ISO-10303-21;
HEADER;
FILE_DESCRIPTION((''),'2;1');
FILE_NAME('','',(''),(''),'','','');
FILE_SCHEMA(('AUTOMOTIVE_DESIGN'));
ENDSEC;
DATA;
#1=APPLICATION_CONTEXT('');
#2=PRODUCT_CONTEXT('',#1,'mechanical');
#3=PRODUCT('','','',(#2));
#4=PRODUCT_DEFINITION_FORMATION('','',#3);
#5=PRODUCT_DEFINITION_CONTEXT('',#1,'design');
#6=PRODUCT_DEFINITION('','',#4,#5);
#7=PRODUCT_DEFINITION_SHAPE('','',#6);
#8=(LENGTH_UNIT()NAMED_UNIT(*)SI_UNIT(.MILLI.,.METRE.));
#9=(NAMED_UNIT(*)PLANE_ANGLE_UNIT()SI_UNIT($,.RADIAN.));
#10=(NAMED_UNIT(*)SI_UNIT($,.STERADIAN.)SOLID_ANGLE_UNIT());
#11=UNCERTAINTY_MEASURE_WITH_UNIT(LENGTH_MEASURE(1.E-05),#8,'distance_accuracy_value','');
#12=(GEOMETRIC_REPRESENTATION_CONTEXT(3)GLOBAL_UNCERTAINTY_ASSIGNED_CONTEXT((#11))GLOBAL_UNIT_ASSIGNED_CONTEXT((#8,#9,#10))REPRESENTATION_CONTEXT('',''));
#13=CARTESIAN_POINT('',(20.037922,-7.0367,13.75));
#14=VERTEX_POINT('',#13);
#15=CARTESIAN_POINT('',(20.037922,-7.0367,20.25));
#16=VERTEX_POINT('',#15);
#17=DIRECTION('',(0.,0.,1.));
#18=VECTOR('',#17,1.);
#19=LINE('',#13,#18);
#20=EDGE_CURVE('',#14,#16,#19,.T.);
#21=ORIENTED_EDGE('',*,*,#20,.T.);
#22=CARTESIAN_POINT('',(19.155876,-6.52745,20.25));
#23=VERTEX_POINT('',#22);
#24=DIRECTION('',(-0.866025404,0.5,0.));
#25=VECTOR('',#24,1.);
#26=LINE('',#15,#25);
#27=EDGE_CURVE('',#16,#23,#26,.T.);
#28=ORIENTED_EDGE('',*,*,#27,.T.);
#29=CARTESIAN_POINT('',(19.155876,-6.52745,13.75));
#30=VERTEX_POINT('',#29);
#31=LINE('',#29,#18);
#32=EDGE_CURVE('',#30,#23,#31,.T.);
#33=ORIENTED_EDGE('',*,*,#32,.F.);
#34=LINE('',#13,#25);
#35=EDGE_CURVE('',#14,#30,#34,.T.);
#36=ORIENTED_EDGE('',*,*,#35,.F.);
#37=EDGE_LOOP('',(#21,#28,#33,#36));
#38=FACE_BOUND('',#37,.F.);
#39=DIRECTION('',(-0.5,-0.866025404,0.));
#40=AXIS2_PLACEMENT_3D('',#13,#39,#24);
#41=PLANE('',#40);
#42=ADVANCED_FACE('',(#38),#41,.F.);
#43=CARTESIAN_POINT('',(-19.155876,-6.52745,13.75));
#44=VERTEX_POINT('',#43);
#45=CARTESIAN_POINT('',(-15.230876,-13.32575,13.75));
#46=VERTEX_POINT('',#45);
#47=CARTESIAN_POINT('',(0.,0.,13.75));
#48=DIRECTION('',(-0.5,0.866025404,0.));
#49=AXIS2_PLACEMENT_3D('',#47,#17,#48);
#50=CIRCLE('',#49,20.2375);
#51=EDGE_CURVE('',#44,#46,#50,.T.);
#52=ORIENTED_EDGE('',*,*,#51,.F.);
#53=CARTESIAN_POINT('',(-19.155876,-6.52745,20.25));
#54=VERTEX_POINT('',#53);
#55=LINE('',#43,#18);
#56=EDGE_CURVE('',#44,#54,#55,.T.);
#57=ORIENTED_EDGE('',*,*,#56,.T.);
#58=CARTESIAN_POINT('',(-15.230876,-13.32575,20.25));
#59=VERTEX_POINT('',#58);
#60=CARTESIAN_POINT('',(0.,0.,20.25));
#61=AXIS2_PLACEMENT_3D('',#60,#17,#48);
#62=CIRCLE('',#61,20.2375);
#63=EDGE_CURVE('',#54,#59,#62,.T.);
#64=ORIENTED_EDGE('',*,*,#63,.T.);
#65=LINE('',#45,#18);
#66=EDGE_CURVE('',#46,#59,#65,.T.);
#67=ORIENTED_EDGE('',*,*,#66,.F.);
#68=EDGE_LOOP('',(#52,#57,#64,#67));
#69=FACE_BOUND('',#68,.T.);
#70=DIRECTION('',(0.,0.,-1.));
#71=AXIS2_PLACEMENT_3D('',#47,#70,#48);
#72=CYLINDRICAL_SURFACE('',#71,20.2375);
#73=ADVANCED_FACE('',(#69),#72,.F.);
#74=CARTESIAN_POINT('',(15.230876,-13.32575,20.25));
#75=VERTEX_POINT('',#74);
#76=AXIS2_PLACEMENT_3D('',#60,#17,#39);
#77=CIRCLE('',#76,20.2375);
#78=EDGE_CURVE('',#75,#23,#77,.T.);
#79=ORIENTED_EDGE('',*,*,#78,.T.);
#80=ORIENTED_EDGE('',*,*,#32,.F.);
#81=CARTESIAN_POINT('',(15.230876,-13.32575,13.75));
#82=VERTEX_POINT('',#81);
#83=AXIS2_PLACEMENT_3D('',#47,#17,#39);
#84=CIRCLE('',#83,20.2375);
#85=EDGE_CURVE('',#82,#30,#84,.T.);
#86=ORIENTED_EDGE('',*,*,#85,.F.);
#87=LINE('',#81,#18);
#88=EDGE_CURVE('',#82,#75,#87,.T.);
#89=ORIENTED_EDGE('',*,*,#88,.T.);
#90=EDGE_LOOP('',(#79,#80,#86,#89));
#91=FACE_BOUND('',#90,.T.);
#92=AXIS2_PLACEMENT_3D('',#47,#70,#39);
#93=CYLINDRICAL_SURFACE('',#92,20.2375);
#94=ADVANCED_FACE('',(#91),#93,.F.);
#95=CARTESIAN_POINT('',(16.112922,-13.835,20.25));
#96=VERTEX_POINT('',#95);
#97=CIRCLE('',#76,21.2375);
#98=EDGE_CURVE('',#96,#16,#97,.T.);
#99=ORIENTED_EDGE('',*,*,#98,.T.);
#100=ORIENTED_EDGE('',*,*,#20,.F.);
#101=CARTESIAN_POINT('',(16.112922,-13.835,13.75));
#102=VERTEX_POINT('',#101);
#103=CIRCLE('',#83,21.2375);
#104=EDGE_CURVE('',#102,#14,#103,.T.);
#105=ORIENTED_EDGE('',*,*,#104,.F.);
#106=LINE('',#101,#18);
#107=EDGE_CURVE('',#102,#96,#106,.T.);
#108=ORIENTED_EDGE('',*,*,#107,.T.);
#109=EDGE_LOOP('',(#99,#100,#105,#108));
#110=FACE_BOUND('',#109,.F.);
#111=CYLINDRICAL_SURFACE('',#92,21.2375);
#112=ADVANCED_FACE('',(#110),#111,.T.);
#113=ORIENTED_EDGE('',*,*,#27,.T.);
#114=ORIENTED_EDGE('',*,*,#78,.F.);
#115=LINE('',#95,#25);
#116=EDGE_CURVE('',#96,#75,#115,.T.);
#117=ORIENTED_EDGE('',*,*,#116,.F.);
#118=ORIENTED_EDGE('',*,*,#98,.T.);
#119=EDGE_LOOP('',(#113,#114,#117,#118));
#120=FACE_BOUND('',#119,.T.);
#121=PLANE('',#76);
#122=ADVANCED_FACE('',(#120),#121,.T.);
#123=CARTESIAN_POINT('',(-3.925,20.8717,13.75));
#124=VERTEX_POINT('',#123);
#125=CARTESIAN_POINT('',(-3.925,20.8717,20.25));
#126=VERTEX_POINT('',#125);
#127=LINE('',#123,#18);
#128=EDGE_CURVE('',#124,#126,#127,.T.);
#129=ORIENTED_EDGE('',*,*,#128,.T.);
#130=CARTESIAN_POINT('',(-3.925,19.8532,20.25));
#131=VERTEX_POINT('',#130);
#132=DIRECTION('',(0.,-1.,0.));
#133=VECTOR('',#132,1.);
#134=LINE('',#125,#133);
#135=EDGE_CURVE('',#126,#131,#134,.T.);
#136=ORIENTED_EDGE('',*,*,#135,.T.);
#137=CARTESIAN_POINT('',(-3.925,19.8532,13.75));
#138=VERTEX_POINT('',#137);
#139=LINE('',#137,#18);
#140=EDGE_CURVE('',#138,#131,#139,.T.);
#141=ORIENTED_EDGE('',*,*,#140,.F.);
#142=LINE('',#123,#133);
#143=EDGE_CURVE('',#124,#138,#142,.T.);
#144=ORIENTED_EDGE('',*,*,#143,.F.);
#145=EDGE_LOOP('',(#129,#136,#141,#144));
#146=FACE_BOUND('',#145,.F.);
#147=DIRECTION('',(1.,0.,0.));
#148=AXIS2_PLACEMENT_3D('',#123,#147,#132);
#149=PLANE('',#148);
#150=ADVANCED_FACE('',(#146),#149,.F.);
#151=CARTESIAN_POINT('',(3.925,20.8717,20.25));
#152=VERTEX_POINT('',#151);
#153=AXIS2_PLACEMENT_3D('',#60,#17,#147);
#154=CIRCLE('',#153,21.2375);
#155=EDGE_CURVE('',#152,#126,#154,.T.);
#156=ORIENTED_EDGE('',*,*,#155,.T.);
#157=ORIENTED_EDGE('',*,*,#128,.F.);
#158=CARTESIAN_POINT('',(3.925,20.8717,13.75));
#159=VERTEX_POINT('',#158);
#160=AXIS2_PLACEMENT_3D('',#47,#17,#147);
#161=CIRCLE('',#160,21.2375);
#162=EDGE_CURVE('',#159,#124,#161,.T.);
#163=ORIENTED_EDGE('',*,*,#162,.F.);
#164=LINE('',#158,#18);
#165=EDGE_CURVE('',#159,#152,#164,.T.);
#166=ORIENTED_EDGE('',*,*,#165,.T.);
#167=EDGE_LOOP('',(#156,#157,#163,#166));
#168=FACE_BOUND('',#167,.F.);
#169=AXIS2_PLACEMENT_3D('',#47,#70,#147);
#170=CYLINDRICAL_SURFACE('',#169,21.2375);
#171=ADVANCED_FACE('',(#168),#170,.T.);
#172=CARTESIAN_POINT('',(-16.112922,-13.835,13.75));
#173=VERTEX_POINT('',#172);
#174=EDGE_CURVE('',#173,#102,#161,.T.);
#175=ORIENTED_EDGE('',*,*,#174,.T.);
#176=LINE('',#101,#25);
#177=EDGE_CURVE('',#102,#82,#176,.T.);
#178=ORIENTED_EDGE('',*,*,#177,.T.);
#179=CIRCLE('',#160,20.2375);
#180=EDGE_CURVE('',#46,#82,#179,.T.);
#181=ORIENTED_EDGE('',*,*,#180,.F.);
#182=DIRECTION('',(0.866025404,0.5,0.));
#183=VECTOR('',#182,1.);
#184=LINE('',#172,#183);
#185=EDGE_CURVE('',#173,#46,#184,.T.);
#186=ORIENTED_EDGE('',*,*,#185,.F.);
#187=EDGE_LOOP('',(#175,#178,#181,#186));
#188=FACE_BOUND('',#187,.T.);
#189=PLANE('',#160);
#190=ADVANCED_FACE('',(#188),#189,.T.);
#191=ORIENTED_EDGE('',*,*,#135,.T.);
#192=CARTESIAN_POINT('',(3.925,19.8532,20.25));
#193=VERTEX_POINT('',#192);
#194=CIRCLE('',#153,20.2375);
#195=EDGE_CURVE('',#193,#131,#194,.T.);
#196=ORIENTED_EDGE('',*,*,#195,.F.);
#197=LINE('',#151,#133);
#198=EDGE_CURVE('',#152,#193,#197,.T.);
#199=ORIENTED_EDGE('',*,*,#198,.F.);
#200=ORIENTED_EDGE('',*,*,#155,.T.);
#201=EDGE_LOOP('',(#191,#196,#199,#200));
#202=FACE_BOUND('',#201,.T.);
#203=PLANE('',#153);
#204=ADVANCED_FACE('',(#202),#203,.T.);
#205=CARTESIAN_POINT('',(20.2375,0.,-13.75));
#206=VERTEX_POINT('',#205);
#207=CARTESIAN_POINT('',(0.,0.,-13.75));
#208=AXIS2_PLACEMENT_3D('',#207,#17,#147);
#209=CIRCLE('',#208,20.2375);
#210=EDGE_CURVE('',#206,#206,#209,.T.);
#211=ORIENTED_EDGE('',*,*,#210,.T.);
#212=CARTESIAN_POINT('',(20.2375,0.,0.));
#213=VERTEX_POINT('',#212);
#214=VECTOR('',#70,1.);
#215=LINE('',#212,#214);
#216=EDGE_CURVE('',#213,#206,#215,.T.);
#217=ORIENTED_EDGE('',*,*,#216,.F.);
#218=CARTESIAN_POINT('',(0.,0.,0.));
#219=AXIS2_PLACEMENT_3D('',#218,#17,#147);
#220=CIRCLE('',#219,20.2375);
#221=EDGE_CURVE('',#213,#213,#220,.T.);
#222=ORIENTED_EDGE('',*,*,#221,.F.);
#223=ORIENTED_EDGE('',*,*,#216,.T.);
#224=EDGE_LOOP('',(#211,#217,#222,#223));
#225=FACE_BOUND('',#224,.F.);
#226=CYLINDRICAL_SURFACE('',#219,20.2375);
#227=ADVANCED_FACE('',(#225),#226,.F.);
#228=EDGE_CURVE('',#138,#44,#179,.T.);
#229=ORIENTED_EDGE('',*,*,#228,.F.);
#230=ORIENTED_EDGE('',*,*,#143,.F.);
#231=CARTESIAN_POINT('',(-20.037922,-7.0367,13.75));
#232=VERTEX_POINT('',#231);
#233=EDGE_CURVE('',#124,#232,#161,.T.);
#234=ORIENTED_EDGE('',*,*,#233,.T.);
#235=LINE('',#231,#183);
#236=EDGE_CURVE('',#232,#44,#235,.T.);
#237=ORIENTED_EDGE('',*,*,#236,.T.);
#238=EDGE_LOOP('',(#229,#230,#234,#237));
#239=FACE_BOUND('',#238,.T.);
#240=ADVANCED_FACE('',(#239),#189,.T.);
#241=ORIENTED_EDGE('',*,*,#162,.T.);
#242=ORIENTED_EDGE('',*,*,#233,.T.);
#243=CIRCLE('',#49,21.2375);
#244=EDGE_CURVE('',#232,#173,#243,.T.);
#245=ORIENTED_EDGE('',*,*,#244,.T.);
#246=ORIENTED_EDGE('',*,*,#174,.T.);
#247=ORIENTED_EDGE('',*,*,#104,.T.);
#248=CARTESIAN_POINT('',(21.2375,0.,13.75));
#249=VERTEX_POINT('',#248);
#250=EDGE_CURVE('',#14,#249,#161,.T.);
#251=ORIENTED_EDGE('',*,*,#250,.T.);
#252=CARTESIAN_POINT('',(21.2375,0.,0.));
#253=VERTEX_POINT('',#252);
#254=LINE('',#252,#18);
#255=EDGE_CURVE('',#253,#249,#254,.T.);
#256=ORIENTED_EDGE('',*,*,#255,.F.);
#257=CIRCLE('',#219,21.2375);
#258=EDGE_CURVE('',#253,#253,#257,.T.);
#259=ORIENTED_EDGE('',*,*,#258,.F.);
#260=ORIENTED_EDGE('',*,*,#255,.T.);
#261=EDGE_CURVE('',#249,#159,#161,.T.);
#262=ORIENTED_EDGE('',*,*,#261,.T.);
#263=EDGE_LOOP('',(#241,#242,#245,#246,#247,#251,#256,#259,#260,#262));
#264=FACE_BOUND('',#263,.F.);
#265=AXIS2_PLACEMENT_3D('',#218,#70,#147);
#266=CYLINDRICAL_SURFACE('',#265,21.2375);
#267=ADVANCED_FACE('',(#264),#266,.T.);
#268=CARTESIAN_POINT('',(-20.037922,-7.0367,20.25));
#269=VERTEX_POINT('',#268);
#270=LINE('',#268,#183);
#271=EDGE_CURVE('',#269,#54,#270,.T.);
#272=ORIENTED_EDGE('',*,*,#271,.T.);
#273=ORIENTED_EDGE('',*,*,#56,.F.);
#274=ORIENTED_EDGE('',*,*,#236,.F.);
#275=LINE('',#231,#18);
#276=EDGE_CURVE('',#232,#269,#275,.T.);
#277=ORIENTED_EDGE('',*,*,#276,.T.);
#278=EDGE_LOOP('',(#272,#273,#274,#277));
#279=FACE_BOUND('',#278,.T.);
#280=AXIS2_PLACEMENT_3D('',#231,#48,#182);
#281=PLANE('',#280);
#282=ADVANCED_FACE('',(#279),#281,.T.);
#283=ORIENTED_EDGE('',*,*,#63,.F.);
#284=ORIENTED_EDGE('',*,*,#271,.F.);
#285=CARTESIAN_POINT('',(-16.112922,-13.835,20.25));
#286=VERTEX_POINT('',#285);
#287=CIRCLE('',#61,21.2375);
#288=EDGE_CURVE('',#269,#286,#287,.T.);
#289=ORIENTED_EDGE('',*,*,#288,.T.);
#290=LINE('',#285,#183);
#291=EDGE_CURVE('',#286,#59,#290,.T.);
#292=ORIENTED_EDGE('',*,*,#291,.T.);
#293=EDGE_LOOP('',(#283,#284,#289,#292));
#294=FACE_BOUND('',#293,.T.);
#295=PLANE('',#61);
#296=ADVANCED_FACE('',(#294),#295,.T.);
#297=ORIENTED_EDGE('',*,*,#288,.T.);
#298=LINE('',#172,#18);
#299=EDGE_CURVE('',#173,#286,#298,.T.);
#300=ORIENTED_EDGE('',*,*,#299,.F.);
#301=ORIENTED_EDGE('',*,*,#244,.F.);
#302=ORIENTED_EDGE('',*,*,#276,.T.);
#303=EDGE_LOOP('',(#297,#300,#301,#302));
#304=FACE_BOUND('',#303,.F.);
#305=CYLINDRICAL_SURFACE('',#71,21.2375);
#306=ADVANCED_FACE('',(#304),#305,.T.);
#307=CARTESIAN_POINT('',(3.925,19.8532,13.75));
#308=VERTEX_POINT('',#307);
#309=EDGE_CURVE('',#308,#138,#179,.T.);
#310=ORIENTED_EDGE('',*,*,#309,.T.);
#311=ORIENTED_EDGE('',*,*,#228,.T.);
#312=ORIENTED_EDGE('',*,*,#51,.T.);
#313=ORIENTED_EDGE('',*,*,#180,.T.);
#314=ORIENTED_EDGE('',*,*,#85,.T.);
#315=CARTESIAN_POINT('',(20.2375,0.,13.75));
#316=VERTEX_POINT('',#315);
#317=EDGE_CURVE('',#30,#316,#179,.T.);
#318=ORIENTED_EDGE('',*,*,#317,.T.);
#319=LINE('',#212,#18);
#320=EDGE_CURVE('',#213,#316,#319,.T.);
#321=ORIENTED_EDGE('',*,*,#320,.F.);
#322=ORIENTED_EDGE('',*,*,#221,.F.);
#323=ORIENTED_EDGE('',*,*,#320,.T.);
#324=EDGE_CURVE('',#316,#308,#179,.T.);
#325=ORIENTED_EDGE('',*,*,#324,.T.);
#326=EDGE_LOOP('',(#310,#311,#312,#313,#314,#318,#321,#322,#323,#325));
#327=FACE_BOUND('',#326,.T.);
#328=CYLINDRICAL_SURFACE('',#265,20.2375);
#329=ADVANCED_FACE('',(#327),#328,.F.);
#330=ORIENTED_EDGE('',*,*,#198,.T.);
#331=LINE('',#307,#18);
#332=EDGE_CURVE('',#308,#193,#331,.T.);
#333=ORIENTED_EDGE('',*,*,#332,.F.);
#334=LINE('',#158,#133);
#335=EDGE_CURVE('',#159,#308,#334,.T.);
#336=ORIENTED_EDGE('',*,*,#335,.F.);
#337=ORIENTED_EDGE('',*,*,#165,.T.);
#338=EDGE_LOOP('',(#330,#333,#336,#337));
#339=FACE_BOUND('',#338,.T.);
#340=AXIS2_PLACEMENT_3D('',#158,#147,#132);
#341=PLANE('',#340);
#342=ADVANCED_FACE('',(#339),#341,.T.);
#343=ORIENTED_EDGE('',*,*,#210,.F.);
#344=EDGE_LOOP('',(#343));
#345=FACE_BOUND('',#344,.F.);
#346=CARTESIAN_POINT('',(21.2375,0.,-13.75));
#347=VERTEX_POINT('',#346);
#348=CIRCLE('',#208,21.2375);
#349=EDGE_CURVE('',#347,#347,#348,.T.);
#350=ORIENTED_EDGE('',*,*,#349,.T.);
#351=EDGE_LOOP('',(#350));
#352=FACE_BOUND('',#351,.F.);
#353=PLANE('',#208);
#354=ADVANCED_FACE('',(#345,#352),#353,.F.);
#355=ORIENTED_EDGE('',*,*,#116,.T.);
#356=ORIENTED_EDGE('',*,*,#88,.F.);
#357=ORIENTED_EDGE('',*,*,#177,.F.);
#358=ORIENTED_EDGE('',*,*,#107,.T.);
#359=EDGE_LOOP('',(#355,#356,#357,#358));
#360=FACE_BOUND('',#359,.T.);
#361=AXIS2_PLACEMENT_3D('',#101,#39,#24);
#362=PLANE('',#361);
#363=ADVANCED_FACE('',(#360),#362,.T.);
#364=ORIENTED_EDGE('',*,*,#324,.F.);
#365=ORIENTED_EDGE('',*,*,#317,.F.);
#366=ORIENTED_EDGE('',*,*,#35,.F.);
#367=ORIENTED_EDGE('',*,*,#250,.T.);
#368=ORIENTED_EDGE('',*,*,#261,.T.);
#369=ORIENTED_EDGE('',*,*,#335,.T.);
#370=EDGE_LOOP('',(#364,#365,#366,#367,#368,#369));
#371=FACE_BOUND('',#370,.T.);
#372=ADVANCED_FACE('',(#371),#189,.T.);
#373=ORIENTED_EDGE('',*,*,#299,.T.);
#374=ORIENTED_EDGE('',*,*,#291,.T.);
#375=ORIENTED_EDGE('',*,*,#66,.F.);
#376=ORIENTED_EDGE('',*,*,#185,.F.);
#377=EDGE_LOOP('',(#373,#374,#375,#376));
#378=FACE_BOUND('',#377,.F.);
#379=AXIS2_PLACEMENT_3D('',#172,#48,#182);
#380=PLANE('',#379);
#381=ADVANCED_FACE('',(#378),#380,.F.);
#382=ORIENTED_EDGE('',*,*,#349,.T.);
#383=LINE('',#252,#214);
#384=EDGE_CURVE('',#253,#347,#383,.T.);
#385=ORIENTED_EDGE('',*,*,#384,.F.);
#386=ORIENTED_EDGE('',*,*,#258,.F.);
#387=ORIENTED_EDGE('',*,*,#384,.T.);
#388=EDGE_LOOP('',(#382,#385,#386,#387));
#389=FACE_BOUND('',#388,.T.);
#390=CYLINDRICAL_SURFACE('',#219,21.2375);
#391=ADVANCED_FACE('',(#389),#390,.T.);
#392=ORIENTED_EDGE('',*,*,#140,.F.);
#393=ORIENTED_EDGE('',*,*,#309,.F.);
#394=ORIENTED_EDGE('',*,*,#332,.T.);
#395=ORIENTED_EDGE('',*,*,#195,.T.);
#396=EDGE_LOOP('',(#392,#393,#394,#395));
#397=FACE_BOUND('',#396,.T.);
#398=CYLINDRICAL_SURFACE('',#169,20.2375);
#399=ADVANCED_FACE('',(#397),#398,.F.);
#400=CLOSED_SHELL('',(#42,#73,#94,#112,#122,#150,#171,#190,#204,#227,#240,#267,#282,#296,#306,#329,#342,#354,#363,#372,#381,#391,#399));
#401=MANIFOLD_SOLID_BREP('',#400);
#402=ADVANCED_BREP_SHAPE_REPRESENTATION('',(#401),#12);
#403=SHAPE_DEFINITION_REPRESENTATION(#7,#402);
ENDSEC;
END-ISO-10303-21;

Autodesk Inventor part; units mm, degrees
ref_plane "YZ Plane" through (0, 0, 0) normal (1, 0, 0) x (0, 1, 0)
ref_plane "XZ Plane" through (0, 0, 0) normal (0, 1, 0) x (-1, 0, 0)
sketch "Sketch1" plane through (0, 0, 0) normal (0, 0, 1) x (1, 0, 0)
  circle A0 centre (0, 0) radius 21.2375
  circle A1 centre (0, 0) radius 20.2375
  dimension "d0" = 42.475
  dimension "d1" = 1
extrude "Extrusion1" add sketch "Sketch1" along normal mid plane 27.5
sketch "Sketch2" plane through (0, 0, 13.75) normal (0, 0, 1) x (1, 0, 0)
  circle A0 centre (0, 0) radius 21.2375 projected
  circle A1 centre (0, 0) radius 20.2375 projected
  line L0 (-3.925, 20.8717) -> (-3.925, 19.8532)
  line L1 (3.925, 20.8717) -> (3.925, 19.8532)
  point P0 (0, 13.5869)
  dimension "d4" = 7.85
extrude "Extrusion2" add sketch "Sketch2" along normal blind 6.5 contours L1 A1 L0 A0 picked at (3.0552, 20.3065)
pattern_circular "Circular Pattern1" count 3 over 360 about axis through (0, 0, -10) along (0, 0, 1) of "Extrusion2"
sketch "Sketch3" plane through (0, 0, 0) normal (0, 0, 1) x (1, 0, 0)
  point P0 (0, 0)
ref_plane "Work Plane1" through (0, 0, 20.25) normal (0, 0, 1) x (1, 0, 0)
properties part number "Inner part of servo motor" material "Aluminum 6061-AHC"
